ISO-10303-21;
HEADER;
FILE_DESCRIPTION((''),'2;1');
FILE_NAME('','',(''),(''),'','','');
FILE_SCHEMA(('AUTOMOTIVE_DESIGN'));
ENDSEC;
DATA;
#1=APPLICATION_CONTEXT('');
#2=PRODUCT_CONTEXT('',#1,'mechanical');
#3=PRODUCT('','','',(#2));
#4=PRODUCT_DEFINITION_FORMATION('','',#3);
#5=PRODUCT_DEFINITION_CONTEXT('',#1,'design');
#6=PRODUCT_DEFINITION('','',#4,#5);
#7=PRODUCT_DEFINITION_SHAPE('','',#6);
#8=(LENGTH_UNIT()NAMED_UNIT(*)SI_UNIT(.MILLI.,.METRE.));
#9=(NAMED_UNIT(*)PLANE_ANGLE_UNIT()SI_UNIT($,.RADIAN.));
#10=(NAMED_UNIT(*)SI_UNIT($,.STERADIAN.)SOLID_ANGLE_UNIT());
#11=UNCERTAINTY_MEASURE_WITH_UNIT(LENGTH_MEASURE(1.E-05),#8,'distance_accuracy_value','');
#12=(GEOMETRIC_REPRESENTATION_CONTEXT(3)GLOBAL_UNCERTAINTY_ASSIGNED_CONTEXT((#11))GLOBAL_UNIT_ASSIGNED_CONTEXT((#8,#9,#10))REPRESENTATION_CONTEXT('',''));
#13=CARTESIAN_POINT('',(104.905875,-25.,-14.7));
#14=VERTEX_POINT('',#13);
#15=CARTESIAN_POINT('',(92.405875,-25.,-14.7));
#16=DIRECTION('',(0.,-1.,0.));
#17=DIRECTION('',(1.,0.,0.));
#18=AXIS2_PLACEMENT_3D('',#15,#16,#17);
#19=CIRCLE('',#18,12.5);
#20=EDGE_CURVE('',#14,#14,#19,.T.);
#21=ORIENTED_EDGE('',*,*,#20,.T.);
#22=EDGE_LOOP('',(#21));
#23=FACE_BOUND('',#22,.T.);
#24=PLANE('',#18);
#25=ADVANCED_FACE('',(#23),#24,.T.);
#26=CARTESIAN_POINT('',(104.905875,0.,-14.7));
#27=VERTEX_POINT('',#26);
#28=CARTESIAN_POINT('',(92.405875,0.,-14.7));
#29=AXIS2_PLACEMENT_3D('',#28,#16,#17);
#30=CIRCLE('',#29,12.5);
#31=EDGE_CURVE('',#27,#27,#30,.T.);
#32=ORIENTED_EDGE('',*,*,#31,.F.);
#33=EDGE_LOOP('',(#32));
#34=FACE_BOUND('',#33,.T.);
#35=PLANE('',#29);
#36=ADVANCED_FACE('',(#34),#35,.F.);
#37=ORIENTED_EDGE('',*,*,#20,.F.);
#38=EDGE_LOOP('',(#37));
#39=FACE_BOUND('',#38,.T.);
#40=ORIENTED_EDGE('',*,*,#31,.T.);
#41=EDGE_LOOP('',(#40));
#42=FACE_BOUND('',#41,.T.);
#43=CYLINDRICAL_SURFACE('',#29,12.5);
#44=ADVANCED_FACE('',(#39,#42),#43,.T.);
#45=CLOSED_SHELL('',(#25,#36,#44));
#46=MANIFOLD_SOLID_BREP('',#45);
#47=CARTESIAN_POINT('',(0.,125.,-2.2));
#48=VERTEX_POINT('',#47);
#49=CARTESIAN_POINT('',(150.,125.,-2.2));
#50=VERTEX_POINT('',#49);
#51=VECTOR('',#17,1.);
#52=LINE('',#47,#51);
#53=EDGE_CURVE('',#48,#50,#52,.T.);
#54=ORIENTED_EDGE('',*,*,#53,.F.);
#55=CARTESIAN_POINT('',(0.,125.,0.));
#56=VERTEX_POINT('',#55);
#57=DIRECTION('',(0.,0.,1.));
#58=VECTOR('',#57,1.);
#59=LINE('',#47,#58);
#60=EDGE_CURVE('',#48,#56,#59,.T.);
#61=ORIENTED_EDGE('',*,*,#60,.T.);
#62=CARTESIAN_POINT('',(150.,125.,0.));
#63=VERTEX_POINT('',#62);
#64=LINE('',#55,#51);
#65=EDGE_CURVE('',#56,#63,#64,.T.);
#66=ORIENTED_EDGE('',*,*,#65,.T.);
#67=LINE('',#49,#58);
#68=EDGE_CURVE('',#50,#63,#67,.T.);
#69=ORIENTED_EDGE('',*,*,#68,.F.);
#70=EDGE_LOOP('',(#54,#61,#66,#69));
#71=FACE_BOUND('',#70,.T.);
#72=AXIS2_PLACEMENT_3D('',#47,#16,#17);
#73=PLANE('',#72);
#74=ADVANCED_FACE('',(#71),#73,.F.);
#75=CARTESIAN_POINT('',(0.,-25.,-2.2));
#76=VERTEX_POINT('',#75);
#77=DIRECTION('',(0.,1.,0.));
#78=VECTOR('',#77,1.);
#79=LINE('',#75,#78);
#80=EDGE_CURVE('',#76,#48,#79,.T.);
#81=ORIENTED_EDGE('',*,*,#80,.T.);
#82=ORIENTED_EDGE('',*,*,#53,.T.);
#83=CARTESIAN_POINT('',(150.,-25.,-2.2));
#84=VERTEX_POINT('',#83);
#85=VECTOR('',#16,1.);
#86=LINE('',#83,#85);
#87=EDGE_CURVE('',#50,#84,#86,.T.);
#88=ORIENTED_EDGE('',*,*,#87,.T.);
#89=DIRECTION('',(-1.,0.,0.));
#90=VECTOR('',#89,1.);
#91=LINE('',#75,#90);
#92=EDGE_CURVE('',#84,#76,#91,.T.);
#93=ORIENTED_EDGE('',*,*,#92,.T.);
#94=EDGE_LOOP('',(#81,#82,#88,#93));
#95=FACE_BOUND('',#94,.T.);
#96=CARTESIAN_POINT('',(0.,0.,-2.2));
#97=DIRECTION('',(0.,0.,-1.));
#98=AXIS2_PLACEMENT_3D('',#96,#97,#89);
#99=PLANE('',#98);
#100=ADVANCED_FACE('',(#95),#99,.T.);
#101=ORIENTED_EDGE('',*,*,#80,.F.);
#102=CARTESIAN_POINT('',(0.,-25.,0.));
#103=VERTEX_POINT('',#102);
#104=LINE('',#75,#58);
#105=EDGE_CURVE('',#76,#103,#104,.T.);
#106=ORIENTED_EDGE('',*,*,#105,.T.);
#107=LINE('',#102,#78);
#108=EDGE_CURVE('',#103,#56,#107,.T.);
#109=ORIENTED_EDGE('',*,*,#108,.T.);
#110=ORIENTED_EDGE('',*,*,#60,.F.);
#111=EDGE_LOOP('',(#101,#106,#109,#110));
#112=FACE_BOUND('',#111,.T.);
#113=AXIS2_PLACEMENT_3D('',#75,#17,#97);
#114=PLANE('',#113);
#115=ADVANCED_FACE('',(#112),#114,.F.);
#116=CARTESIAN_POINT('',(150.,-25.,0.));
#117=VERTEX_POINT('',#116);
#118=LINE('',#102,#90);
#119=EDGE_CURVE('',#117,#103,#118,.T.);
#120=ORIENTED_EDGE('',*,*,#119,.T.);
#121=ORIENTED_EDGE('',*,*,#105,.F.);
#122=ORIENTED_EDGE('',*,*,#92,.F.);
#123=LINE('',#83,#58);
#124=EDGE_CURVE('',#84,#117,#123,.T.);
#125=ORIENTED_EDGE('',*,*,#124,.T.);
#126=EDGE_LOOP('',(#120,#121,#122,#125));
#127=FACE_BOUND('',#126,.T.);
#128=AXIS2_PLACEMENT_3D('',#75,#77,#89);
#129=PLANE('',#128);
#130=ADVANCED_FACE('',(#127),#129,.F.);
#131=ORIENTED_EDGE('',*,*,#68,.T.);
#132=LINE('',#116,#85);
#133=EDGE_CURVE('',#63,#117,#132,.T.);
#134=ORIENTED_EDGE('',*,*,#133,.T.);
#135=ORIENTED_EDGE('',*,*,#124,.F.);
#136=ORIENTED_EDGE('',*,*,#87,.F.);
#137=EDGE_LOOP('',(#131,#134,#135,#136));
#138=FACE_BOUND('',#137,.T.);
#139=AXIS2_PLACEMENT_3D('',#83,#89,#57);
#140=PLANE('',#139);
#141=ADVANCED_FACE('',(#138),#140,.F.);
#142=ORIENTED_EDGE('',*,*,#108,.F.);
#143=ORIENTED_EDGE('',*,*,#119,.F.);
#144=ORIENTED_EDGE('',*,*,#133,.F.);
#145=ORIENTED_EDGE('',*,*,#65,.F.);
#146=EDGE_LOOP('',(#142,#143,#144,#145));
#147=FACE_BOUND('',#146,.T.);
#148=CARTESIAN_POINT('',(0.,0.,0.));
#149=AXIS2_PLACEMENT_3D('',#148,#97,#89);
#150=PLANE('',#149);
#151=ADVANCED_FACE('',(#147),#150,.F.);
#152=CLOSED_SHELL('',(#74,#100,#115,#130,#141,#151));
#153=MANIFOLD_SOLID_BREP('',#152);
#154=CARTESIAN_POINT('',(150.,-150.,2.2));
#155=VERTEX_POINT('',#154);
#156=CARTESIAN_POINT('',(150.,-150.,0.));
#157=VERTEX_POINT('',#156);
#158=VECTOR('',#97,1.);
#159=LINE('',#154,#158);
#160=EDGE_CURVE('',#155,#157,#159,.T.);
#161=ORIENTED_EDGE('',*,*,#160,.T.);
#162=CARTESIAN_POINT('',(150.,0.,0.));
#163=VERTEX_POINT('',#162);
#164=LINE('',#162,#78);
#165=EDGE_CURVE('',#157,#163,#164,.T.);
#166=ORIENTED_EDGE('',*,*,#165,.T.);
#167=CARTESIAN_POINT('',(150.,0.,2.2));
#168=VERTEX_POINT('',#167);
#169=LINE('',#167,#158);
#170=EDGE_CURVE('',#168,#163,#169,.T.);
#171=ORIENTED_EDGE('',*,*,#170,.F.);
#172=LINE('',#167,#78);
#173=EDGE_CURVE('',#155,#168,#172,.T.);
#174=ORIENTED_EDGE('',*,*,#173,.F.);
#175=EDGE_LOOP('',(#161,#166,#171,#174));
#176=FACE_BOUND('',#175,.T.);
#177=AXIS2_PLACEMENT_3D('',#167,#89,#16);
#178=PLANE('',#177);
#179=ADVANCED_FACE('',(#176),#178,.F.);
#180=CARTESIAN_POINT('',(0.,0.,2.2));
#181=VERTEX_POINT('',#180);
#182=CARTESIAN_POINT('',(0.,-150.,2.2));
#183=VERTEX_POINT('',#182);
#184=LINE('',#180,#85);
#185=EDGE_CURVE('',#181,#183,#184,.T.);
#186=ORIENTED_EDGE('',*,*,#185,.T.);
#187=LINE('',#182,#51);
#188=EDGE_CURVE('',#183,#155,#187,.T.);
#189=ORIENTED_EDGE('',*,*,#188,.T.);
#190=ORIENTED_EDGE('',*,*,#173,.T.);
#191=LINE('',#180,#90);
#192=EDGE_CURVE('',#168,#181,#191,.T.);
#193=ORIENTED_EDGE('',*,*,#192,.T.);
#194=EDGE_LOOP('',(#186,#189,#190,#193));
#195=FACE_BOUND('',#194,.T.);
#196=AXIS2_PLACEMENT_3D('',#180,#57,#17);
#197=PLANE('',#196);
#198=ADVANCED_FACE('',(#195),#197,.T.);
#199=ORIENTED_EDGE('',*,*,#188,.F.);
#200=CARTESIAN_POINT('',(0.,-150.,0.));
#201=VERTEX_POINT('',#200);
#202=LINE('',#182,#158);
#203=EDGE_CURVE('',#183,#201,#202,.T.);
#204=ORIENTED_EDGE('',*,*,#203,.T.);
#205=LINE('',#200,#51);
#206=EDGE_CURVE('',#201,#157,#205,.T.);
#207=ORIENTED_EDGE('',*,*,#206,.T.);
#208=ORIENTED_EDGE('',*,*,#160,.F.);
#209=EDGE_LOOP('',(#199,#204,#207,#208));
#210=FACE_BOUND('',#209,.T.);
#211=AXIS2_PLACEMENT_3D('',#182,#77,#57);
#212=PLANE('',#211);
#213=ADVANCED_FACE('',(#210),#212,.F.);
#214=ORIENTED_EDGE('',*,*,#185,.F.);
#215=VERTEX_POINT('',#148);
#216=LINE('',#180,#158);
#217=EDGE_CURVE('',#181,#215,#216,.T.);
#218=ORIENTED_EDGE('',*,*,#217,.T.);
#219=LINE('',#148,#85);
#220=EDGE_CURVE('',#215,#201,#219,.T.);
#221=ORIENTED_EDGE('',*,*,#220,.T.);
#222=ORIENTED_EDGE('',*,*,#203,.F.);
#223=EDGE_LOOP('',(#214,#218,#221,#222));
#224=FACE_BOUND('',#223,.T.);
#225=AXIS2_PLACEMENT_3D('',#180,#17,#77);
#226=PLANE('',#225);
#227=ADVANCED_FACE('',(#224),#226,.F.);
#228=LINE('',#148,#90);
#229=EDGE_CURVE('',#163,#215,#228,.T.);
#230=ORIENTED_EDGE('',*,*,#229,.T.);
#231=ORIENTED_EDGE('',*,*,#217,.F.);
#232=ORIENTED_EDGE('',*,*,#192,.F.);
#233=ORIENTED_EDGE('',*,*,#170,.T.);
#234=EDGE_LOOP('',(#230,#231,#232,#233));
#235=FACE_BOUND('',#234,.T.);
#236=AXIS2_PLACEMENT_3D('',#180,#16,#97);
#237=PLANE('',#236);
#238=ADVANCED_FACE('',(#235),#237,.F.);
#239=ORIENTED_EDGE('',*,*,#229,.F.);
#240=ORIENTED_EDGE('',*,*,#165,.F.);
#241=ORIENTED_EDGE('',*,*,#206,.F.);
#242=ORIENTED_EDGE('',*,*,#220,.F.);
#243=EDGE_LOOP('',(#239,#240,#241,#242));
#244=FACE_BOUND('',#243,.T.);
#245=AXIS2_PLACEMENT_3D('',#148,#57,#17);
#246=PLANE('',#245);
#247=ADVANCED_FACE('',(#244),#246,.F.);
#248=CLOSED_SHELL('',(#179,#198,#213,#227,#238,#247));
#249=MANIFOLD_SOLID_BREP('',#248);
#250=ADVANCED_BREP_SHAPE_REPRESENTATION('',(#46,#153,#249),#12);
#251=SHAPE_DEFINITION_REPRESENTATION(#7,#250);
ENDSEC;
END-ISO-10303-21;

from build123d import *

# Parameters (mm, degrees)
SKIZZE2_W                       = 150
SKIZZE2_H                       = 150
AUFSATZ_LINEAR_AUSTRAGEN1_DEPTH = 2.2
SKIZZE3_W                       = 150
SKIZZE3_H                       = 150
AUFSATZ_LINEAR_AUSTRAGEN3_DEPTH = 2.2
SKIZZE5_R                       = 12.5
AUFSATZ_LINEAR_AUSTRAGEN4_DEPTH = 25


with BuildPart() as part:
    # Skizze2 → Aufsatz-Linear austragen1 (new body)
    with BuildSketch(Plane.XY):
        with Locations((75, -75)):
            Rectangle(SKIZZE2_W, SKIZZE2_H)
    extrude(amount=AUFSATZ_LINEAR_AUSTRAGEN1_DEPTH)


with BuildPart() as body_2:
    # Skizze3 → Aufsatz-Linear austragen3 (new body)
    with BuildSketch(Plane(origin=(0, 0, 0), x_dir=(-1, 0, 0), z_dir=(0, 0, -1))):
        with Locations((-75, 50)):
            Rectangle(SKIZZE3_W, SKIZZE3_H)
    extrude(amount=AUFSATZ_LINEAR_AUSTRAGEN3_DEPTH)


with BuildPart() as body_3:
    # Skizze5 → Aufsatz-Linear austragen4 (new body)
    with BuildSketch(Plane(origin=(0, -25, 0), x_dir=(-1, 0, 0), z_dir=(0, -1, 0))):
        with Locations(Location((-92.405874956, 14.7, 0), (0, 0, 180))):  # turned: the seam where the file's is
            Circle(SKIZZE5_R)
    extrude(amount=-AUFSATZ_LINEAR_AUSTRAGEN4_DEPTH)


solid = Compound([part.part, body_2.part, body_3.part])
